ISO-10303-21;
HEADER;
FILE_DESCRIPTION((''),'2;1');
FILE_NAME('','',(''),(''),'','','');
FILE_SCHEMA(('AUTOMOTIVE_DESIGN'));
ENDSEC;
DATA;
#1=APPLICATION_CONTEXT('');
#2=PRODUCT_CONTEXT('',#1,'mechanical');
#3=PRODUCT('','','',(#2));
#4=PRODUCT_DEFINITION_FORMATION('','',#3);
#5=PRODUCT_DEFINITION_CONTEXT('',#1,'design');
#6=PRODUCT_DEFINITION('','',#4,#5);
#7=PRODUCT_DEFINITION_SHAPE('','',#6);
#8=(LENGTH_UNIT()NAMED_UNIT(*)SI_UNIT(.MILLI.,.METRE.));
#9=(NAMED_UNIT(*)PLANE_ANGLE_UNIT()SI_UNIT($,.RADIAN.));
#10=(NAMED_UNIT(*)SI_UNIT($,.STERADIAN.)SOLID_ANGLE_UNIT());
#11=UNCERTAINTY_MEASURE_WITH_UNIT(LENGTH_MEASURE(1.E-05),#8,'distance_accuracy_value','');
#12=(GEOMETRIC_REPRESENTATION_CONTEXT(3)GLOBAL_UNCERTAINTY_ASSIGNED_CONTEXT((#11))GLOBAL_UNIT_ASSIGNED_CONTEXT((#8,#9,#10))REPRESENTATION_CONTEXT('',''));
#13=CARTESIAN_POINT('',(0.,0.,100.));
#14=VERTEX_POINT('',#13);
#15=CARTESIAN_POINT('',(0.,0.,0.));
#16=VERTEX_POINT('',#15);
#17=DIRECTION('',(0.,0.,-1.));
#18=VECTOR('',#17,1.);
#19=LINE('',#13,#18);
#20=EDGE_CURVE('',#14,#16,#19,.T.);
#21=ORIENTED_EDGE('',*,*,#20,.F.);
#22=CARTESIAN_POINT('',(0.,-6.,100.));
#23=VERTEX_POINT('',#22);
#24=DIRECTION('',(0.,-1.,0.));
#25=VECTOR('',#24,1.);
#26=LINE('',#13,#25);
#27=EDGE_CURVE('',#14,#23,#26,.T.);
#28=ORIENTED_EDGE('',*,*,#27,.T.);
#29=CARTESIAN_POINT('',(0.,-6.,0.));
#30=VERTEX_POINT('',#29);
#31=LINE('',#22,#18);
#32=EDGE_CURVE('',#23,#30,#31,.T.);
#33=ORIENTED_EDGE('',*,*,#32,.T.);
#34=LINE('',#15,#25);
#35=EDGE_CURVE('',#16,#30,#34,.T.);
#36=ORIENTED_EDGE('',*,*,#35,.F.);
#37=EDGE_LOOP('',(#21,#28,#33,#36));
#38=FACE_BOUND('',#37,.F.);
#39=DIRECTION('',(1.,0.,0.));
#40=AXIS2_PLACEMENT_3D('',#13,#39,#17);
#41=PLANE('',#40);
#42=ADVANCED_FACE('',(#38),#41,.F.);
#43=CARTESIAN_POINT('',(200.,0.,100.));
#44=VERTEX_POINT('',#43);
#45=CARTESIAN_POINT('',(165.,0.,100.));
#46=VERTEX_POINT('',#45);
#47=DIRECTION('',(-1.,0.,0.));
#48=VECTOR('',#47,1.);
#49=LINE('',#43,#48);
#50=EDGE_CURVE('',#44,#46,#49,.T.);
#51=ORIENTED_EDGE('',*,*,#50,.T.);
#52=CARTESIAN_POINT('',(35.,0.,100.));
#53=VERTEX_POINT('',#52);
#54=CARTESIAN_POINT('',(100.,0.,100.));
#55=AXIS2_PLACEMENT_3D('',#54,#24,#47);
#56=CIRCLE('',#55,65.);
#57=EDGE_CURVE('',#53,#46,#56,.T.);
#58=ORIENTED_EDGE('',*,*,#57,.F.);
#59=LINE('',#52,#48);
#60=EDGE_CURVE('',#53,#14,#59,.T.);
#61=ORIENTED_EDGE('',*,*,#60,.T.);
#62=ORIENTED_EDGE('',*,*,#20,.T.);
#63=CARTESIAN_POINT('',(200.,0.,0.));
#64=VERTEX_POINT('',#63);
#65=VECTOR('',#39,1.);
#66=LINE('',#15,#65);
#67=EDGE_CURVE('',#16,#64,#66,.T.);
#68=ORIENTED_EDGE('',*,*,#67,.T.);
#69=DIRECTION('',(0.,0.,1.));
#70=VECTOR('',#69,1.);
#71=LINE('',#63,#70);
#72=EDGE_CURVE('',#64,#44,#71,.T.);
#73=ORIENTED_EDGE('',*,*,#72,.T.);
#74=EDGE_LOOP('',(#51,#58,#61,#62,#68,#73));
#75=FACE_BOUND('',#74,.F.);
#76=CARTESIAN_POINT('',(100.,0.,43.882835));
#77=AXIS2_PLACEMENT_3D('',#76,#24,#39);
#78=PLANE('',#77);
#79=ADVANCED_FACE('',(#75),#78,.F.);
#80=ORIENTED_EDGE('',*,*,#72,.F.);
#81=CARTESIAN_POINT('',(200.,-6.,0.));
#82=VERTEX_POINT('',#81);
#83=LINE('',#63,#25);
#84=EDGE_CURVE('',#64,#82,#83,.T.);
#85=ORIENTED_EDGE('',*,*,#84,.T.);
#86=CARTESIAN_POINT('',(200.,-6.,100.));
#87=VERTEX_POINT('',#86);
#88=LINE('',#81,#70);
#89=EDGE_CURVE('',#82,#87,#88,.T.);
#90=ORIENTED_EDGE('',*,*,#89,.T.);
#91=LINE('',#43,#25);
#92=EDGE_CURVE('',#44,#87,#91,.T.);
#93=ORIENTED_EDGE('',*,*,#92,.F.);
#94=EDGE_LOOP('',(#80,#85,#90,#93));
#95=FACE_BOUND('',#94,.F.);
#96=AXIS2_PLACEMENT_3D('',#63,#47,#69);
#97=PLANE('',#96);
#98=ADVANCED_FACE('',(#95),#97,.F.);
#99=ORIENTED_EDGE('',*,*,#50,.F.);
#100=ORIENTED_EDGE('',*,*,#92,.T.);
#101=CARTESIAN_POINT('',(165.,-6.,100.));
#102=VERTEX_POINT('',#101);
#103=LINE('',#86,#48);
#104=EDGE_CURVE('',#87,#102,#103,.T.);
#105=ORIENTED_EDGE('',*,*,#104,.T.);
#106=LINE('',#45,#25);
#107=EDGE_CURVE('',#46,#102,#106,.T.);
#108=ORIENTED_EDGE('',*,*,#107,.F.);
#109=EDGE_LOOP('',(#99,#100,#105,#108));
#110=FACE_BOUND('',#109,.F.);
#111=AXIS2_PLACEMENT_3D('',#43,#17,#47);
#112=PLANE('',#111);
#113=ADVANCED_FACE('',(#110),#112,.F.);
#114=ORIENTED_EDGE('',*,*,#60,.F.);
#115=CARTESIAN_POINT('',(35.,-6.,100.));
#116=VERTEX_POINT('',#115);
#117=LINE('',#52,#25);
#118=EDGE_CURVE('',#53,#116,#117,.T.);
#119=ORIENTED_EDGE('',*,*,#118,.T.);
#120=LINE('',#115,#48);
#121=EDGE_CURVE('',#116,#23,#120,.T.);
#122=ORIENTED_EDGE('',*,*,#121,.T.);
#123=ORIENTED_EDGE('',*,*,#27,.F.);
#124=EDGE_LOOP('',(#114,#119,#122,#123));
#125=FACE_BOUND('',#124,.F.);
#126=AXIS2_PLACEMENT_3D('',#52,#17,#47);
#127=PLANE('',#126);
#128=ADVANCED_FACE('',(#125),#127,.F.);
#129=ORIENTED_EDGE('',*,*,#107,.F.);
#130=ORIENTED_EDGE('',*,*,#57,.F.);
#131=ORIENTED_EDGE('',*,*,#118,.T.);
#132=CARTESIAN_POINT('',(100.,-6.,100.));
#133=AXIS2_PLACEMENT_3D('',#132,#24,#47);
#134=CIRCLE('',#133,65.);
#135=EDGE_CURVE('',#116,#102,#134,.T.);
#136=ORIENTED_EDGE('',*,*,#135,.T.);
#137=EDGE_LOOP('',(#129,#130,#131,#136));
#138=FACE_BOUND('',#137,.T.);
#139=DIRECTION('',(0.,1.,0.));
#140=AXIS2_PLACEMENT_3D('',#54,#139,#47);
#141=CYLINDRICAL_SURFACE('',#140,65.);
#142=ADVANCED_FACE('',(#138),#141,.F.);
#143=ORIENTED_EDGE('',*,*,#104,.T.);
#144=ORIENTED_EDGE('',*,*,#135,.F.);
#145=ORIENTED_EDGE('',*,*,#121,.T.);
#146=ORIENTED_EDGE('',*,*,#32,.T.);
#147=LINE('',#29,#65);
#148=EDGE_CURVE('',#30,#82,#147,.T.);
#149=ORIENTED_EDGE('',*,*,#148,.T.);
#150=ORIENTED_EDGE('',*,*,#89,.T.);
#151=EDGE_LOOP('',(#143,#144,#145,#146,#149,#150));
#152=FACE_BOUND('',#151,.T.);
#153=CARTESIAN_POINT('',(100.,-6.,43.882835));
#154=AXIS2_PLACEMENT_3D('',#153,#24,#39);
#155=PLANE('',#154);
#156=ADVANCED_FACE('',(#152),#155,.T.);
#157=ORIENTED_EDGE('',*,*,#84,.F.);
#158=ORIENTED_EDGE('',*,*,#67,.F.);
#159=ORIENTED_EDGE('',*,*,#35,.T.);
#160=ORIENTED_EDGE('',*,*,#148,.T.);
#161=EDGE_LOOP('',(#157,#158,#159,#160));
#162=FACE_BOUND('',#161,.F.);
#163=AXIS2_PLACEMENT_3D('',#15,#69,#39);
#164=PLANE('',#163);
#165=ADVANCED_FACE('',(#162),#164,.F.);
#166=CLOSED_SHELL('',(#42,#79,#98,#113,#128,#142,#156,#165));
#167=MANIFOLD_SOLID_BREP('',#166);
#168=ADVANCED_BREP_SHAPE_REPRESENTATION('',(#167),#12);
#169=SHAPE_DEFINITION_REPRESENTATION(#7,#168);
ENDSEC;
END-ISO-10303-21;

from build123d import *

# Parameters (mm, degrees)
PAD_DEPTH = 6


with BuildPart() as part:
    # Sketch → Pad (new body)
    with BuildSketch(Plane.XZ):
        with BuildLine():
            Line((0, 0), (200, 0))
            Line((200, 0), (200, 100))
            Line((200, 100), (165, 100))
            ThreePointArc((35, 100), (100, 35), (165, 100))
            Line((35, 100), (0, 100))
            Line((0, 100), (0, 0))
        make_face()
    extrude(amount=PAD_DEPTH)


solid = part.part
